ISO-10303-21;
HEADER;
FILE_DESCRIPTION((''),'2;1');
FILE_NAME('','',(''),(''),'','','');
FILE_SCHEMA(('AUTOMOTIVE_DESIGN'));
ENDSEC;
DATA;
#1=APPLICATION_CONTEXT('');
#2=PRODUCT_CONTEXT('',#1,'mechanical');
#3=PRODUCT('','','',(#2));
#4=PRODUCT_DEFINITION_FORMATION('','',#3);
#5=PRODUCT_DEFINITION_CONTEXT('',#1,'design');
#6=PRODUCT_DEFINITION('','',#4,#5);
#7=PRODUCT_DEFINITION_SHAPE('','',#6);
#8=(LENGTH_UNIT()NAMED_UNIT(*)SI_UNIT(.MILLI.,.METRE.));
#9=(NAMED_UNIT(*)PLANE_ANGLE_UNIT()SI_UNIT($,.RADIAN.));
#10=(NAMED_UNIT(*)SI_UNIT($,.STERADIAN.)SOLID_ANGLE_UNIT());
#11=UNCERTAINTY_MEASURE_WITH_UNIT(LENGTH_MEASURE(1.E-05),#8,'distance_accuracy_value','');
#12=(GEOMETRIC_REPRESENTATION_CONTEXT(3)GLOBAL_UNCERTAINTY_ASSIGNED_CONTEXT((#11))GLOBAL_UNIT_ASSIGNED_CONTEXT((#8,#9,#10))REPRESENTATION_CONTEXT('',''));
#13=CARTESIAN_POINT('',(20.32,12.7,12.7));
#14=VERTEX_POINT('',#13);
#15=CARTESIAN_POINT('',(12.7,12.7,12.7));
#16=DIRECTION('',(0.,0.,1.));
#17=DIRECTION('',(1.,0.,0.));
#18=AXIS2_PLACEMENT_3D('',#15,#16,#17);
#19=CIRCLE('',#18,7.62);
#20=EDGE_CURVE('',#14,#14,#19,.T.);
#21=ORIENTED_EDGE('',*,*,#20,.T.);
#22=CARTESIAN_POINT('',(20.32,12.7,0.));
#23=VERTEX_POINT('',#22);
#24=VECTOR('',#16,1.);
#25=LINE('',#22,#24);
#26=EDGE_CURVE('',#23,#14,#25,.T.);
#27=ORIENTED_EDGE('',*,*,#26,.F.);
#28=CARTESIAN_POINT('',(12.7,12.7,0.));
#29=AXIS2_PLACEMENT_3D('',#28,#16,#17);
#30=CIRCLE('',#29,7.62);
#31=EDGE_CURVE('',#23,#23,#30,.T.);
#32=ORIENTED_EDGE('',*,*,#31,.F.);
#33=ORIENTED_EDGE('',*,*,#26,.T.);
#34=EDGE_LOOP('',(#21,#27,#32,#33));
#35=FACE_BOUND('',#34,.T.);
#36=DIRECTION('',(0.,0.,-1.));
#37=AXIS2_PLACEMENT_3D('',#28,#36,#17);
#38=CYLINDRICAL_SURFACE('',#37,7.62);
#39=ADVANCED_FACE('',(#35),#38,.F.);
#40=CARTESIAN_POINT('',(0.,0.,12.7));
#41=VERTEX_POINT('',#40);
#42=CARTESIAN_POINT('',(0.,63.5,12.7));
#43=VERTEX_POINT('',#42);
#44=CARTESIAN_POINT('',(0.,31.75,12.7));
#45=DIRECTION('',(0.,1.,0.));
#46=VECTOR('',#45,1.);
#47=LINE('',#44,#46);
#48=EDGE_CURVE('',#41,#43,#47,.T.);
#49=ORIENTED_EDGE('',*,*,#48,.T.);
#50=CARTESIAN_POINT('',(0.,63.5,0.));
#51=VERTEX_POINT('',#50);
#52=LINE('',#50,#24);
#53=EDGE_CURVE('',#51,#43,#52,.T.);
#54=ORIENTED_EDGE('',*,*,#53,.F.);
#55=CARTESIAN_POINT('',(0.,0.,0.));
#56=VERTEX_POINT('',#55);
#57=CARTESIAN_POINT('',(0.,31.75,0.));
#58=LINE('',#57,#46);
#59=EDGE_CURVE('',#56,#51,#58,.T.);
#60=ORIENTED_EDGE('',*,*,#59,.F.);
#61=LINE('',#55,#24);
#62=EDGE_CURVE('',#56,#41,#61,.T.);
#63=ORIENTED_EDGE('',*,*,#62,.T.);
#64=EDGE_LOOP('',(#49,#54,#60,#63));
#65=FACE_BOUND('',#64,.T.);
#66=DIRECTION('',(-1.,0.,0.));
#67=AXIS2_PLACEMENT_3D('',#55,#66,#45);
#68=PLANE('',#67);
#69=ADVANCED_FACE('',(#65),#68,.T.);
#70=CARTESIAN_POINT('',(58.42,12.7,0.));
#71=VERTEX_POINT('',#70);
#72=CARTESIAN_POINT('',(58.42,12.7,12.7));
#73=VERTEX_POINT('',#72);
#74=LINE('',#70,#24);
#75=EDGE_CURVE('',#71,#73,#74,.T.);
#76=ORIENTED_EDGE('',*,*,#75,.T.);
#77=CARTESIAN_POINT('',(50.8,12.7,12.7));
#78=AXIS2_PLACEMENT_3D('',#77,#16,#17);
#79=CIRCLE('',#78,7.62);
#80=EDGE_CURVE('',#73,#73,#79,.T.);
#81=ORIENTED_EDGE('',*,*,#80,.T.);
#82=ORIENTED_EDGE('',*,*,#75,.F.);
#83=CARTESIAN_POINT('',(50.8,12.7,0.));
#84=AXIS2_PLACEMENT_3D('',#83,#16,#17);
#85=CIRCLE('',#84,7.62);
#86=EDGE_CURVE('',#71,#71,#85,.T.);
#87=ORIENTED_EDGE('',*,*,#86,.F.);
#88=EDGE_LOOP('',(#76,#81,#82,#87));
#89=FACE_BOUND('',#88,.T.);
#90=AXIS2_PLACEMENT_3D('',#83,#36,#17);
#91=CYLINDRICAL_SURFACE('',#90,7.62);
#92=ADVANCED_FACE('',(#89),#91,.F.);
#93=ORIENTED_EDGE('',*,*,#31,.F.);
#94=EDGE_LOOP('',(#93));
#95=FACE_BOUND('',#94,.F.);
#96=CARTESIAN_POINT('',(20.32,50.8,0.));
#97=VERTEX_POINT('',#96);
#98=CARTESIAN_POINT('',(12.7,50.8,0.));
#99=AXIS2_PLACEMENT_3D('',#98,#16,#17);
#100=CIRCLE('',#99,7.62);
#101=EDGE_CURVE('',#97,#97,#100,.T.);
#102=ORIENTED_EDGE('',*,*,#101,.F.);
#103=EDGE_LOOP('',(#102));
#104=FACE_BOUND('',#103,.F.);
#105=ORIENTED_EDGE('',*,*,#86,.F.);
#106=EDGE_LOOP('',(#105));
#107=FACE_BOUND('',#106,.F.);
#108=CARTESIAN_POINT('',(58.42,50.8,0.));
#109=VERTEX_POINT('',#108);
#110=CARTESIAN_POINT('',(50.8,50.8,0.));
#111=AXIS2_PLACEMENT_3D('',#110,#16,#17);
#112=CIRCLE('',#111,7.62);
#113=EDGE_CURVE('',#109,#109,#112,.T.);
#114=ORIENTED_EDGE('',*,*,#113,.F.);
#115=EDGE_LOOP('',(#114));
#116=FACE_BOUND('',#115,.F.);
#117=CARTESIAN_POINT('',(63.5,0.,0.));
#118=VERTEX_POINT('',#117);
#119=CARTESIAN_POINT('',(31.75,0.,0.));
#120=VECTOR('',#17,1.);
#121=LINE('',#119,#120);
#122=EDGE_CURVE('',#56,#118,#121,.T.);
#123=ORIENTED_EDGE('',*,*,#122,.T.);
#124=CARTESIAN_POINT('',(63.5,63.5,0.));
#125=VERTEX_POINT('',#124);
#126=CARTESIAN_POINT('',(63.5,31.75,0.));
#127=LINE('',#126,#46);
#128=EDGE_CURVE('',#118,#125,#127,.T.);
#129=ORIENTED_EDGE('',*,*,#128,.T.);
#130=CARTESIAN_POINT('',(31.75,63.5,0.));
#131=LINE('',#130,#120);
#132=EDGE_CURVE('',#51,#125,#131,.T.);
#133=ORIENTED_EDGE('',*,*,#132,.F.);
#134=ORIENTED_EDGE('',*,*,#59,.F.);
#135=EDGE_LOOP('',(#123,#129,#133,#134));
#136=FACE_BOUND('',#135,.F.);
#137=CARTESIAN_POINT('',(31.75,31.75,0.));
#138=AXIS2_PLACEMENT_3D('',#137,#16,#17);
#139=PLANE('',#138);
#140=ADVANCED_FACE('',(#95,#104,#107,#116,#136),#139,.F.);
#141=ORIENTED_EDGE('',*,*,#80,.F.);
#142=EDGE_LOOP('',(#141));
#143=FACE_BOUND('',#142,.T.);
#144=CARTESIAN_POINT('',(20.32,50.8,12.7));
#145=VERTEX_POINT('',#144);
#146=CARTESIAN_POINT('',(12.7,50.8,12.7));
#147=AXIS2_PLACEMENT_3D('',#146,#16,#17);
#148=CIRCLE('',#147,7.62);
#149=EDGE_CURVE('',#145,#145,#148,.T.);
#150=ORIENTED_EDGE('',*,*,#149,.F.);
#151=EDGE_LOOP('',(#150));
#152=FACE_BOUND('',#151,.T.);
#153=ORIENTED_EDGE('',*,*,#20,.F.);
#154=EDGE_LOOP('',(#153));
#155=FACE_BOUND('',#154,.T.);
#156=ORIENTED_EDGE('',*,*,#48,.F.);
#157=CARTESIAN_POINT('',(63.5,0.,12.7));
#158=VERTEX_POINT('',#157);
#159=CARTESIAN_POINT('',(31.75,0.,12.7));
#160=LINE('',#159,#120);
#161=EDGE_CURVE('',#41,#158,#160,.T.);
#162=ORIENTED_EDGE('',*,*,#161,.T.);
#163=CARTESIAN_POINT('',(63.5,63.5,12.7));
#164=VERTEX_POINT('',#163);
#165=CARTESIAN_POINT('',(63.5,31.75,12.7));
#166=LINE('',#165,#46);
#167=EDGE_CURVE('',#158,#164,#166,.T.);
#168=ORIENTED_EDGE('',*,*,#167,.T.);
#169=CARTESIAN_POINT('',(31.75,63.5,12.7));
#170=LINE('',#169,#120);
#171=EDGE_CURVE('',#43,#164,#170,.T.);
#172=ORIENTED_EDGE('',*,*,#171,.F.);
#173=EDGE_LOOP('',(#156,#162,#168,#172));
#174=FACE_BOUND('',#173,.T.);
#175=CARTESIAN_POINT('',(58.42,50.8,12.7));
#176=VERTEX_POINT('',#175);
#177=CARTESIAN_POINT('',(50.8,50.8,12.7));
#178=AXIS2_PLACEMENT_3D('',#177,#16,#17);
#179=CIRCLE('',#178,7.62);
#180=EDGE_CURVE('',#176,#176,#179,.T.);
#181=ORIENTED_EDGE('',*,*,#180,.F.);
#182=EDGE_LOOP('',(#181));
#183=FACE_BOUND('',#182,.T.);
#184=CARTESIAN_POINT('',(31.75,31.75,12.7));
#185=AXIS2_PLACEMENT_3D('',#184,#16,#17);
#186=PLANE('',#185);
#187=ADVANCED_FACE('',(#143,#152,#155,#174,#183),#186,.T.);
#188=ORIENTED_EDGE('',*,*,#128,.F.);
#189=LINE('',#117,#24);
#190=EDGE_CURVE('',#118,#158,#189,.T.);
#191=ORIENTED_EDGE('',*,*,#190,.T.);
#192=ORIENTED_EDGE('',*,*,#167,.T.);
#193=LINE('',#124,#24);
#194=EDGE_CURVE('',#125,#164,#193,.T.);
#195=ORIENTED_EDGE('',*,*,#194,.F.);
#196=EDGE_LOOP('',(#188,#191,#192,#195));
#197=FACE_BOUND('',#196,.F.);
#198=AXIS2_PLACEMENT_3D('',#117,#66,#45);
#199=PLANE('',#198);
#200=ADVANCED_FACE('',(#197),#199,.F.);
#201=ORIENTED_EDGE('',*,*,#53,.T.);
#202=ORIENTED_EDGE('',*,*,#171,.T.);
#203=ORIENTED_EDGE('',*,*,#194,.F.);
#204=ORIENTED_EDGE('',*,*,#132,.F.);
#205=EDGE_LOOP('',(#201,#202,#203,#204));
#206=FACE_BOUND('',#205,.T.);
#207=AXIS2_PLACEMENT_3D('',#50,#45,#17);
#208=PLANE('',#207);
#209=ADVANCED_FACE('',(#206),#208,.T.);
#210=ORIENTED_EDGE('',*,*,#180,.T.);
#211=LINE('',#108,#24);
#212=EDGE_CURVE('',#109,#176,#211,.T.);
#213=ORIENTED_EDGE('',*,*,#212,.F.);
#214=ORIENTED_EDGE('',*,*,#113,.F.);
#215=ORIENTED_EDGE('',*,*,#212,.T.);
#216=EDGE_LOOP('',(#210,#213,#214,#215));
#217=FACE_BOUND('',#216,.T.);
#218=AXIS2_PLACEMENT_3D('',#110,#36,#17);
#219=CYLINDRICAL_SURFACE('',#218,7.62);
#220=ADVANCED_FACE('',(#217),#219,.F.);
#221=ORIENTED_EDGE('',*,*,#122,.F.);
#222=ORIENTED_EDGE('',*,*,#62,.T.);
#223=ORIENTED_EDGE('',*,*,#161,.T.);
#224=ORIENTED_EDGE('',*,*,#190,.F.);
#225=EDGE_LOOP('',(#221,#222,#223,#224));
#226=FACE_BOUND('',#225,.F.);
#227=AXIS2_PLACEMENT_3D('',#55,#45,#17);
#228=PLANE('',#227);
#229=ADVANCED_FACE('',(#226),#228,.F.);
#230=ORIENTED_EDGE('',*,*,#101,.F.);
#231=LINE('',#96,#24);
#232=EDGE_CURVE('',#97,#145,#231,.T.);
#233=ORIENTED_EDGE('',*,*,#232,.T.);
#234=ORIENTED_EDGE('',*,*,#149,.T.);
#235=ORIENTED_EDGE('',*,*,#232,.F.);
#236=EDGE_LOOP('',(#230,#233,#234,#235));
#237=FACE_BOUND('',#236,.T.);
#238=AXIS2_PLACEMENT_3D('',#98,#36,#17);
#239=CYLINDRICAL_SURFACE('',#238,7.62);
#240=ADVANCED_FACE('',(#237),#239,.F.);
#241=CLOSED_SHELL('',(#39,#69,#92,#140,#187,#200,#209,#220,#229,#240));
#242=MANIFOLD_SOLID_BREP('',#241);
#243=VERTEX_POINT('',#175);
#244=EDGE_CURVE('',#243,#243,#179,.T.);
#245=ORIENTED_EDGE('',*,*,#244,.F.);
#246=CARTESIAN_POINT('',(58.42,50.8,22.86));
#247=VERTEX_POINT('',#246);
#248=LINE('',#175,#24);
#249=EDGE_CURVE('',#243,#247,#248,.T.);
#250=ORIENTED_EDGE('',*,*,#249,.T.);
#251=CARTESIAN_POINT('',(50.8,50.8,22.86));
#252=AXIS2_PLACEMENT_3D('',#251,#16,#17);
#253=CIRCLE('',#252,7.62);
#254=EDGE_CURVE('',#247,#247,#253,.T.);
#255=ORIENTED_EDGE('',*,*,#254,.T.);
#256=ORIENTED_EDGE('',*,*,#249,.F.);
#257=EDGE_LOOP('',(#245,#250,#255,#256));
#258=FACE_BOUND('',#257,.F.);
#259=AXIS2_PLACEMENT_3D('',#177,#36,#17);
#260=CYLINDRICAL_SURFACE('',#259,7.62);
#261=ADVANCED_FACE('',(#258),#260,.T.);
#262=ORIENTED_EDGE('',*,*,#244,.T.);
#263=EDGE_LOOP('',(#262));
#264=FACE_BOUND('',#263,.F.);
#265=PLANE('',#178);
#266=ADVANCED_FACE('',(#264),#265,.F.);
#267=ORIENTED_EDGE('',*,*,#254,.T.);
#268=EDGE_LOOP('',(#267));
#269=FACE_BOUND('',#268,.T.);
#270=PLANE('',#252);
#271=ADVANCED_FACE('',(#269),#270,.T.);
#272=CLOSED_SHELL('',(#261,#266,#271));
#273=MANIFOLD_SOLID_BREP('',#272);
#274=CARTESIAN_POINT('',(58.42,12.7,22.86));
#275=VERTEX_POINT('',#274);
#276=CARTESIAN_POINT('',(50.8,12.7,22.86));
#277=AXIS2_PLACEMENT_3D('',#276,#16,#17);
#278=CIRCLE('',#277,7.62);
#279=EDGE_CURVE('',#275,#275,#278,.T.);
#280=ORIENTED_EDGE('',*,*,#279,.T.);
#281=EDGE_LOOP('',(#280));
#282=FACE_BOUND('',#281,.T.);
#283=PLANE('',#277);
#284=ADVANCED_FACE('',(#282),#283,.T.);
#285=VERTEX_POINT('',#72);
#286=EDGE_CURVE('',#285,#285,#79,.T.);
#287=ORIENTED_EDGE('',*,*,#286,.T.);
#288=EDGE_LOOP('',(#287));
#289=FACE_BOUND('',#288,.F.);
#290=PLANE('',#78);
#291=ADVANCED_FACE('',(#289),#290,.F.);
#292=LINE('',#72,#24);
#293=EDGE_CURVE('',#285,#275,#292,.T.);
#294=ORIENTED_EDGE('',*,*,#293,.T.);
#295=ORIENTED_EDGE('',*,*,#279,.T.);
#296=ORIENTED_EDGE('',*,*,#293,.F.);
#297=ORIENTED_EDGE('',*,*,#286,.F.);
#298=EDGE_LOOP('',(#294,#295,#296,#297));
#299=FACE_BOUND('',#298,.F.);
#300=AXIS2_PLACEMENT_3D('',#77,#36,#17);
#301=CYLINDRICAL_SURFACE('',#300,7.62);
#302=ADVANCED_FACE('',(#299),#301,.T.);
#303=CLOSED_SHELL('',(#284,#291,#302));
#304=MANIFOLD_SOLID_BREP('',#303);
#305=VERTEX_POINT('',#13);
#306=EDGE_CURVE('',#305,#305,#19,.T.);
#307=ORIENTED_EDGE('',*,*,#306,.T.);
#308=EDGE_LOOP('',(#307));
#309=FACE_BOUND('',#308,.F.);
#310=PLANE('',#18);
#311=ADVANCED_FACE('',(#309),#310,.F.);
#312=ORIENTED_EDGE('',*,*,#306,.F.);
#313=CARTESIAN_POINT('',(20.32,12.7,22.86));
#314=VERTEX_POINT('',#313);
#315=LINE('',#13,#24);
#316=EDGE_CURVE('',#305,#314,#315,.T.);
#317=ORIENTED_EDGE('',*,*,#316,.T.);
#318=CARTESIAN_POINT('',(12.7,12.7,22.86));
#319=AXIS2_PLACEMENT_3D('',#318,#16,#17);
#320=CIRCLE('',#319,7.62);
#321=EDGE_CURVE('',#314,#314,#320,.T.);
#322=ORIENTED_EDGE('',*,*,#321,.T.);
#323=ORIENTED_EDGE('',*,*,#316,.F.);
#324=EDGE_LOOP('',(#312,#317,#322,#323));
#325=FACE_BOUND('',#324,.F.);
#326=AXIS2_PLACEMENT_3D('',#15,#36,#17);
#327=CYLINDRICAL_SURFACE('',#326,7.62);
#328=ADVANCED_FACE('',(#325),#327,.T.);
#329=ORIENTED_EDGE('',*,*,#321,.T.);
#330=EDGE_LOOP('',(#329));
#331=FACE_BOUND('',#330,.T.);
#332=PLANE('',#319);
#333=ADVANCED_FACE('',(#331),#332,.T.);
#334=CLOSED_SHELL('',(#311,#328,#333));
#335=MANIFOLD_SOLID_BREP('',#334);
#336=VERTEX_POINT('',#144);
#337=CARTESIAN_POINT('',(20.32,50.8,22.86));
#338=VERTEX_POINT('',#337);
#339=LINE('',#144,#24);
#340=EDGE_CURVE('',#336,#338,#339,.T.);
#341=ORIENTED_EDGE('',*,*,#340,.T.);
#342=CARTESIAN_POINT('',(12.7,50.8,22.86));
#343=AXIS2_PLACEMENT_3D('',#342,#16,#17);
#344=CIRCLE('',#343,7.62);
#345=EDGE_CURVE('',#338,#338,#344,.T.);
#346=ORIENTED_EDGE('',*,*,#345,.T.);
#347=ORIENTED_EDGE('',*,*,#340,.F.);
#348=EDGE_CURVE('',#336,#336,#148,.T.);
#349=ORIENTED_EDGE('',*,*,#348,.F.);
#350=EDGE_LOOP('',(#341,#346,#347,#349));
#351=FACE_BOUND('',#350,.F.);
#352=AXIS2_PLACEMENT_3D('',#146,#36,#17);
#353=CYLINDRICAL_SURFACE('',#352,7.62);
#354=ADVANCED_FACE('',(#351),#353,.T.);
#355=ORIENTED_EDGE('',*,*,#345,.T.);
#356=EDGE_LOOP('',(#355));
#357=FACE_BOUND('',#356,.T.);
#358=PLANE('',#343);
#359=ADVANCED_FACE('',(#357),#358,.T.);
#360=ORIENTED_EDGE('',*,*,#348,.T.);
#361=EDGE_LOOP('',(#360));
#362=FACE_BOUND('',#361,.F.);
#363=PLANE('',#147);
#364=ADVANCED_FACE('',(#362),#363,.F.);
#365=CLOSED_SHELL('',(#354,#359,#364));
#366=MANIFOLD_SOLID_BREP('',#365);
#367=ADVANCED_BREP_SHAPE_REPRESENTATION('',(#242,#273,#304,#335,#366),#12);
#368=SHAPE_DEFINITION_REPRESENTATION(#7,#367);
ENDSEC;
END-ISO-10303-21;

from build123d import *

# Parameters (mm, degrees)
F0_W     = 63.5
F0_H     = 63.5
F0_R     = 7.62
F1_DEPTH = 12.7
F2_R     = 7.62
F3_DEPTH = 10.16


with BuildPart() as f1:
    # F0 (on Top) → F1 (new body)
    with BuildSketch(Plane.XY):
        with Locations((31.75, 31.75)):
            Rectangle(F0_W, F0_H)
        with Locations((12.7, 12.7)):
            Circle(F0_R, mode=Mode.SUBTRACT)
        with Locations((50.8, 12.7)):
            Circle(F0_R, mode=Mode.SUBTRACT)
        with Locations((12.7, 50.8)):
            Circle(F0_R, mode=Mode.SUBTRACT)
        with Locations((50.8, 50.8)):
            Circle(F0_R, mode=Mode.SUBTRACT)
    extrude(amount=F1_DEPTH)


with BuildPart() as f3:
    # F2 (on face) → F3 (new body)
    with BuildSketch(Plane.XY.offset(12.7)):
        with Locations((12.7, 50.8)):
            Circle(F2_R)
        with Locations((12.7, 12.7)):
            Circle(F2_R)
        with Locations((50.8, 12.7)):
            Circle(F2_R)
        with Locations((50.8, 50.8)):
            Circle(F2_R)
    extrude(amount=F3_DEPTH)


solid = Compound([f1.part, f3.part])
